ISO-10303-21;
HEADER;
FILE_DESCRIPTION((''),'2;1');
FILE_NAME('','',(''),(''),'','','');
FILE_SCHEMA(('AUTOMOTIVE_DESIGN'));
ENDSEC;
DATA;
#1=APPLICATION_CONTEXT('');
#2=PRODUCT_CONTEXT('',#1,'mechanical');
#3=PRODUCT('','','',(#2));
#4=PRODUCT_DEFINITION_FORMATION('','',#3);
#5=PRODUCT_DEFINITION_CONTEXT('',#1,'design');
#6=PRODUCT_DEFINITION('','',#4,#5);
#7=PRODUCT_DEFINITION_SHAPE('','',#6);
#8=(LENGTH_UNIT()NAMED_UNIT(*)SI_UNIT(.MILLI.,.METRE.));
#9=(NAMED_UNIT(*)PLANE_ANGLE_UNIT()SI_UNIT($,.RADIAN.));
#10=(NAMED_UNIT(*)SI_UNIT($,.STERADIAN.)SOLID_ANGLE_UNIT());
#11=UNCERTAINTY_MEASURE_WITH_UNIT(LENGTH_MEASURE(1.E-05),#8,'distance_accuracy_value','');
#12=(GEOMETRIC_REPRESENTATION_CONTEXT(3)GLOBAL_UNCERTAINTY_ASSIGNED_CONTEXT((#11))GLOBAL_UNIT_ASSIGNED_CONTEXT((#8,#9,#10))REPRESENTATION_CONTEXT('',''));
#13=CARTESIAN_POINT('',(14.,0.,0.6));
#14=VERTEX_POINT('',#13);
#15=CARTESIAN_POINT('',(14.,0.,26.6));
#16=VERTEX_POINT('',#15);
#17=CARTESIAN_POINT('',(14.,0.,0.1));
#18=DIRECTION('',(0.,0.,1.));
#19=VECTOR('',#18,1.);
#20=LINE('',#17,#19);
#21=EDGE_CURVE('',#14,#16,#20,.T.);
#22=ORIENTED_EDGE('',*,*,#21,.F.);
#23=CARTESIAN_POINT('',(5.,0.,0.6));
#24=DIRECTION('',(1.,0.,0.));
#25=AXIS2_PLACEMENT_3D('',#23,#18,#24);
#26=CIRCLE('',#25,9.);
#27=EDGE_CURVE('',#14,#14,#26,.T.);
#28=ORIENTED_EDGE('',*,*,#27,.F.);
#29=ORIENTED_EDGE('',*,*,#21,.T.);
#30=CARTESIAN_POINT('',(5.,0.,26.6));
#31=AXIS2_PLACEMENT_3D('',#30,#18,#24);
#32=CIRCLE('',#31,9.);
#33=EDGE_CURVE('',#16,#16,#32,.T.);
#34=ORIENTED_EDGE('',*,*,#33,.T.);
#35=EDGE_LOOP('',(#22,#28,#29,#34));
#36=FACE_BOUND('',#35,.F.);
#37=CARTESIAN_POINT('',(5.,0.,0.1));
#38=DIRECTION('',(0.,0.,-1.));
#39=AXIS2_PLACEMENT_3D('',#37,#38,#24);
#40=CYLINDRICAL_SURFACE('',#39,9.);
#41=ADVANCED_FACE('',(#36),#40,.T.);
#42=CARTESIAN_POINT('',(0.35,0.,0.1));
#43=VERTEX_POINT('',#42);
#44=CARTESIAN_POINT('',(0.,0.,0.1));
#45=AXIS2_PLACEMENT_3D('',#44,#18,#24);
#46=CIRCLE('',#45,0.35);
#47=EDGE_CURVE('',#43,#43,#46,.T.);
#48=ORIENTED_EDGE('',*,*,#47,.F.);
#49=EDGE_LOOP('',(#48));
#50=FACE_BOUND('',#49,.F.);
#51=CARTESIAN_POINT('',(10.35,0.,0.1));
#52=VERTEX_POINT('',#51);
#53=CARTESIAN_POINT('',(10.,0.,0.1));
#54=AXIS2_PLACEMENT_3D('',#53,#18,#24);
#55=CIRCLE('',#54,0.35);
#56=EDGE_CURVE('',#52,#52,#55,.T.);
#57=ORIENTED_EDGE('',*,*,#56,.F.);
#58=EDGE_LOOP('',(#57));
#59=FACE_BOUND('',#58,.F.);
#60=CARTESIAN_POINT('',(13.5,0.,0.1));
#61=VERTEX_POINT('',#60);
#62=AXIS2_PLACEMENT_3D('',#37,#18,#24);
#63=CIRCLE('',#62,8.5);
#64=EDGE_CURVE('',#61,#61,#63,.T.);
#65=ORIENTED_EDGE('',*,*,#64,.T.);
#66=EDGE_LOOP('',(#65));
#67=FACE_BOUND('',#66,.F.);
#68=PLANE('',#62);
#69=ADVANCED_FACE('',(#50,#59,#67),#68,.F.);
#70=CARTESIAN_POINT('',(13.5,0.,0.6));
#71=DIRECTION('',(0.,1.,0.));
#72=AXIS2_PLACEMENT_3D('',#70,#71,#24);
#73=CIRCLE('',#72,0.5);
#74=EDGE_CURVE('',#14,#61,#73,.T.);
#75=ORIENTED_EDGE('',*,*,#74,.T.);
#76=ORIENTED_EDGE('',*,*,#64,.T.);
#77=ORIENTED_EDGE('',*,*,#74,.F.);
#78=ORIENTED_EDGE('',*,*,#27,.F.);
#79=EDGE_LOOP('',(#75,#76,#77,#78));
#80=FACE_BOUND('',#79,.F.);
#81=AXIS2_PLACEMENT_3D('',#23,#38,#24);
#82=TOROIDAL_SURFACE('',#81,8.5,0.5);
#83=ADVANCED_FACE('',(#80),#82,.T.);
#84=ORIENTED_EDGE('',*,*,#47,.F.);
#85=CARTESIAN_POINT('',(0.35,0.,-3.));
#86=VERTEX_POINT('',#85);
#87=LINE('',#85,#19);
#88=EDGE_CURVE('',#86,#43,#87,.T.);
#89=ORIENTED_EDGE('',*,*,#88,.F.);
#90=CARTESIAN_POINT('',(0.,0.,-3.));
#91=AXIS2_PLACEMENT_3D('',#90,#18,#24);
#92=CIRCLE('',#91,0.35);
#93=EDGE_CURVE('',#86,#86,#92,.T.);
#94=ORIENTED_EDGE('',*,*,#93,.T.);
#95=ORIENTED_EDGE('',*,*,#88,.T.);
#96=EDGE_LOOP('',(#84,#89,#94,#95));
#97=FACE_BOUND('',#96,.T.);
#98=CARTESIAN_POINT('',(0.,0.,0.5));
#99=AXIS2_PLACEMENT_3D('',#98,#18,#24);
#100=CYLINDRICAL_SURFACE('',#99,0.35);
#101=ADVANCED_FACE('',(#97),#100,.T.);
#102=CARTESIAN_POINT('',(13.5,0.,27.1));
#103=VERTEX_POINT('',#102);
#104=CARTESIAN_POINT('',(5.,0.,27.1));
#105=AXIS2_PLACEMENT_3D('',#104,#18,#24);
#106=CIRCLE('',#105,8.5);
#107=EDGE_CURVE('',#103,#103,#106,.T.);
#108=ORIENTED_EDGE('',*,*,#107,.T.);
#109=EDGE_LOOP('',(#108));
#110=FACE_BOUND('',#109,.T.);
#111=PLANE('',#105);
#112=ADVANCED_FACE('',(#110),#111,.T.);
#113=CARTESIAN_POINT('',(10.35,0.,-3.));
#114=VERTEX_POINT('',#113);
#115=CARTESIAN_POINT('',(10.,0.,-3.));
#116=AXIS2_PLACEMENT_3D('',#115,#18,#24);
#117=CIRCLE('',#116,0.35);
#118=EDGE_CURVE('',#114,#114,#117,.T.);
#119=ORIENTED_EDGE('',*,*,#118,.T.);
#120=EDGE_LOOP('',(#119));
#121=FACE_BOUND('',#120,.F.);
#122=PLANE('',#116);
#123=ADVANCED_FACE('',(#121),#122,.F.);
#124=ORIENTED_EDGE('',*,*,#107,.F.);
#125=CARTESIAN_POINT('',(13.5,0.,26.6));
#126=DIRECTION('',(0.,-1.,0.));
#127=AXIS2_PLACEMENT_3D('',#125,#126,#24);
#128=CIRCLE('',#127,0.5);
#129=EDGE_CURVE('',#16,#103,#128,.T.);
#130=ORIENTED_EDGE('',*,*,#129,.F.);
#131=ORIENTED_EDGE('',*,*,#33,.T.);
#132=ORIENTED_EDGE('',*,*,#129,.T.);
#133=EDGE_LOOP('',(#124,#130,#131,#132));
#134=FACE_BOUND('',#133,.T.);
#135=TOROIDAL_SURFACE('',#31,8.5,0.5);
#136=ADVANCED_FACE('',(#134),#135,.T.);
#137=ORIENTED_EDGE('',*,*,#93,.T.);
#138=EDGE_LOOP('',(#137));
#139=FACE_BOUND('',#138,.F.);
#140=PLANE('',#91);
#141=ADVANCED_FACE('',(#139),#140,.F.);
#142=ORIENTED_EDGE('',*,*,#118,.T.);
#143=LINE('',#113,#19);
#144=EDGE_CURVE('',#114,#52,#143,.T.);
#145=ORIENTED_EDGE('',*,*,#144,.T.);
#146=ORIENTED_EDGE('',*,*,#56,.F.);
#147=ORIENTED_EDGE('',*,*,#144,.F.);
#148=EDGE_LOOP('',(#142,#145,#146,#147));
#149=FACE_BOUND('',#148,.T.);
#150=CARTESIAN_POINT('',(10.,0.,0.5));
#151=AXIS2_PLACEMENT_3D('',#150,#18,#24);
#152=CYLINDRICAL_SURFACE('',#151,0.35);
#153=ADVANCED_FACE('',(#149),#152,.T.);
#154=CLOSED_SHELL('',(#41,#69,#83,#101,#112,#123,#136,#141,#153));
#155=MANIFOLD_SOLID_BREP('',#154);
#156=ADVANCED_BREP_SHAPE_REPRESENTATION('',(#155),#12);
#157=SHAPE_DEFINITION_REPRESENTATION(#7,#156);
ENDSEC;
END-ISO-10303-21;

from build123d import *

# Parameters (mm, degrees)
SKETCH001_R       = 0.35
PAD001_DEPTH      = 13.5
PAD001_DEPTH_BACK = 3.5
SKETCH_R          = 9
PAD_DEPTH         = 27
FILLET_R          = 0.5


with BuildPart() as pad001:
    # Sketch001 → Pad001 (new body, two sides)
    with BuildSketch(Plane.XY.offset(0.5)) as pad001_sk:
        Circle(SKETCH001_R)
        with Locations((10, 0)):
            Circle(SKETCH001_R)
    extrude(amount=PAD001_DEPTH)
    extrude(pad001_sk.sketch, amount=-PAD001_DEPTH_BACK)


with BuildPart() as l_radial_d18_0mm_p10_00mm:
    # Sketch → Pad (new body)
    with BuildSketch(Plane.XY.offset(0.1)):
        with Locations((5, 0)):
            Circle(SKETCH_R)
    extrude(amount=PAD_DEPTH)

    # Fillet
    fillet_edges = [l_radial_d18_0mm_p10_00mm.edges().sort_by_distance(p)[0] for p in [
        (-4, 0, 0.1),
        (-4, 0, 27.1),
    ]]
    fillet(fillet_edges, radius=FILLET_R)

    # Fillet_mp_cp: union Pad001
    add(pad001.part)


solid = l_radial_d18_0mm_p10_00mm.part
